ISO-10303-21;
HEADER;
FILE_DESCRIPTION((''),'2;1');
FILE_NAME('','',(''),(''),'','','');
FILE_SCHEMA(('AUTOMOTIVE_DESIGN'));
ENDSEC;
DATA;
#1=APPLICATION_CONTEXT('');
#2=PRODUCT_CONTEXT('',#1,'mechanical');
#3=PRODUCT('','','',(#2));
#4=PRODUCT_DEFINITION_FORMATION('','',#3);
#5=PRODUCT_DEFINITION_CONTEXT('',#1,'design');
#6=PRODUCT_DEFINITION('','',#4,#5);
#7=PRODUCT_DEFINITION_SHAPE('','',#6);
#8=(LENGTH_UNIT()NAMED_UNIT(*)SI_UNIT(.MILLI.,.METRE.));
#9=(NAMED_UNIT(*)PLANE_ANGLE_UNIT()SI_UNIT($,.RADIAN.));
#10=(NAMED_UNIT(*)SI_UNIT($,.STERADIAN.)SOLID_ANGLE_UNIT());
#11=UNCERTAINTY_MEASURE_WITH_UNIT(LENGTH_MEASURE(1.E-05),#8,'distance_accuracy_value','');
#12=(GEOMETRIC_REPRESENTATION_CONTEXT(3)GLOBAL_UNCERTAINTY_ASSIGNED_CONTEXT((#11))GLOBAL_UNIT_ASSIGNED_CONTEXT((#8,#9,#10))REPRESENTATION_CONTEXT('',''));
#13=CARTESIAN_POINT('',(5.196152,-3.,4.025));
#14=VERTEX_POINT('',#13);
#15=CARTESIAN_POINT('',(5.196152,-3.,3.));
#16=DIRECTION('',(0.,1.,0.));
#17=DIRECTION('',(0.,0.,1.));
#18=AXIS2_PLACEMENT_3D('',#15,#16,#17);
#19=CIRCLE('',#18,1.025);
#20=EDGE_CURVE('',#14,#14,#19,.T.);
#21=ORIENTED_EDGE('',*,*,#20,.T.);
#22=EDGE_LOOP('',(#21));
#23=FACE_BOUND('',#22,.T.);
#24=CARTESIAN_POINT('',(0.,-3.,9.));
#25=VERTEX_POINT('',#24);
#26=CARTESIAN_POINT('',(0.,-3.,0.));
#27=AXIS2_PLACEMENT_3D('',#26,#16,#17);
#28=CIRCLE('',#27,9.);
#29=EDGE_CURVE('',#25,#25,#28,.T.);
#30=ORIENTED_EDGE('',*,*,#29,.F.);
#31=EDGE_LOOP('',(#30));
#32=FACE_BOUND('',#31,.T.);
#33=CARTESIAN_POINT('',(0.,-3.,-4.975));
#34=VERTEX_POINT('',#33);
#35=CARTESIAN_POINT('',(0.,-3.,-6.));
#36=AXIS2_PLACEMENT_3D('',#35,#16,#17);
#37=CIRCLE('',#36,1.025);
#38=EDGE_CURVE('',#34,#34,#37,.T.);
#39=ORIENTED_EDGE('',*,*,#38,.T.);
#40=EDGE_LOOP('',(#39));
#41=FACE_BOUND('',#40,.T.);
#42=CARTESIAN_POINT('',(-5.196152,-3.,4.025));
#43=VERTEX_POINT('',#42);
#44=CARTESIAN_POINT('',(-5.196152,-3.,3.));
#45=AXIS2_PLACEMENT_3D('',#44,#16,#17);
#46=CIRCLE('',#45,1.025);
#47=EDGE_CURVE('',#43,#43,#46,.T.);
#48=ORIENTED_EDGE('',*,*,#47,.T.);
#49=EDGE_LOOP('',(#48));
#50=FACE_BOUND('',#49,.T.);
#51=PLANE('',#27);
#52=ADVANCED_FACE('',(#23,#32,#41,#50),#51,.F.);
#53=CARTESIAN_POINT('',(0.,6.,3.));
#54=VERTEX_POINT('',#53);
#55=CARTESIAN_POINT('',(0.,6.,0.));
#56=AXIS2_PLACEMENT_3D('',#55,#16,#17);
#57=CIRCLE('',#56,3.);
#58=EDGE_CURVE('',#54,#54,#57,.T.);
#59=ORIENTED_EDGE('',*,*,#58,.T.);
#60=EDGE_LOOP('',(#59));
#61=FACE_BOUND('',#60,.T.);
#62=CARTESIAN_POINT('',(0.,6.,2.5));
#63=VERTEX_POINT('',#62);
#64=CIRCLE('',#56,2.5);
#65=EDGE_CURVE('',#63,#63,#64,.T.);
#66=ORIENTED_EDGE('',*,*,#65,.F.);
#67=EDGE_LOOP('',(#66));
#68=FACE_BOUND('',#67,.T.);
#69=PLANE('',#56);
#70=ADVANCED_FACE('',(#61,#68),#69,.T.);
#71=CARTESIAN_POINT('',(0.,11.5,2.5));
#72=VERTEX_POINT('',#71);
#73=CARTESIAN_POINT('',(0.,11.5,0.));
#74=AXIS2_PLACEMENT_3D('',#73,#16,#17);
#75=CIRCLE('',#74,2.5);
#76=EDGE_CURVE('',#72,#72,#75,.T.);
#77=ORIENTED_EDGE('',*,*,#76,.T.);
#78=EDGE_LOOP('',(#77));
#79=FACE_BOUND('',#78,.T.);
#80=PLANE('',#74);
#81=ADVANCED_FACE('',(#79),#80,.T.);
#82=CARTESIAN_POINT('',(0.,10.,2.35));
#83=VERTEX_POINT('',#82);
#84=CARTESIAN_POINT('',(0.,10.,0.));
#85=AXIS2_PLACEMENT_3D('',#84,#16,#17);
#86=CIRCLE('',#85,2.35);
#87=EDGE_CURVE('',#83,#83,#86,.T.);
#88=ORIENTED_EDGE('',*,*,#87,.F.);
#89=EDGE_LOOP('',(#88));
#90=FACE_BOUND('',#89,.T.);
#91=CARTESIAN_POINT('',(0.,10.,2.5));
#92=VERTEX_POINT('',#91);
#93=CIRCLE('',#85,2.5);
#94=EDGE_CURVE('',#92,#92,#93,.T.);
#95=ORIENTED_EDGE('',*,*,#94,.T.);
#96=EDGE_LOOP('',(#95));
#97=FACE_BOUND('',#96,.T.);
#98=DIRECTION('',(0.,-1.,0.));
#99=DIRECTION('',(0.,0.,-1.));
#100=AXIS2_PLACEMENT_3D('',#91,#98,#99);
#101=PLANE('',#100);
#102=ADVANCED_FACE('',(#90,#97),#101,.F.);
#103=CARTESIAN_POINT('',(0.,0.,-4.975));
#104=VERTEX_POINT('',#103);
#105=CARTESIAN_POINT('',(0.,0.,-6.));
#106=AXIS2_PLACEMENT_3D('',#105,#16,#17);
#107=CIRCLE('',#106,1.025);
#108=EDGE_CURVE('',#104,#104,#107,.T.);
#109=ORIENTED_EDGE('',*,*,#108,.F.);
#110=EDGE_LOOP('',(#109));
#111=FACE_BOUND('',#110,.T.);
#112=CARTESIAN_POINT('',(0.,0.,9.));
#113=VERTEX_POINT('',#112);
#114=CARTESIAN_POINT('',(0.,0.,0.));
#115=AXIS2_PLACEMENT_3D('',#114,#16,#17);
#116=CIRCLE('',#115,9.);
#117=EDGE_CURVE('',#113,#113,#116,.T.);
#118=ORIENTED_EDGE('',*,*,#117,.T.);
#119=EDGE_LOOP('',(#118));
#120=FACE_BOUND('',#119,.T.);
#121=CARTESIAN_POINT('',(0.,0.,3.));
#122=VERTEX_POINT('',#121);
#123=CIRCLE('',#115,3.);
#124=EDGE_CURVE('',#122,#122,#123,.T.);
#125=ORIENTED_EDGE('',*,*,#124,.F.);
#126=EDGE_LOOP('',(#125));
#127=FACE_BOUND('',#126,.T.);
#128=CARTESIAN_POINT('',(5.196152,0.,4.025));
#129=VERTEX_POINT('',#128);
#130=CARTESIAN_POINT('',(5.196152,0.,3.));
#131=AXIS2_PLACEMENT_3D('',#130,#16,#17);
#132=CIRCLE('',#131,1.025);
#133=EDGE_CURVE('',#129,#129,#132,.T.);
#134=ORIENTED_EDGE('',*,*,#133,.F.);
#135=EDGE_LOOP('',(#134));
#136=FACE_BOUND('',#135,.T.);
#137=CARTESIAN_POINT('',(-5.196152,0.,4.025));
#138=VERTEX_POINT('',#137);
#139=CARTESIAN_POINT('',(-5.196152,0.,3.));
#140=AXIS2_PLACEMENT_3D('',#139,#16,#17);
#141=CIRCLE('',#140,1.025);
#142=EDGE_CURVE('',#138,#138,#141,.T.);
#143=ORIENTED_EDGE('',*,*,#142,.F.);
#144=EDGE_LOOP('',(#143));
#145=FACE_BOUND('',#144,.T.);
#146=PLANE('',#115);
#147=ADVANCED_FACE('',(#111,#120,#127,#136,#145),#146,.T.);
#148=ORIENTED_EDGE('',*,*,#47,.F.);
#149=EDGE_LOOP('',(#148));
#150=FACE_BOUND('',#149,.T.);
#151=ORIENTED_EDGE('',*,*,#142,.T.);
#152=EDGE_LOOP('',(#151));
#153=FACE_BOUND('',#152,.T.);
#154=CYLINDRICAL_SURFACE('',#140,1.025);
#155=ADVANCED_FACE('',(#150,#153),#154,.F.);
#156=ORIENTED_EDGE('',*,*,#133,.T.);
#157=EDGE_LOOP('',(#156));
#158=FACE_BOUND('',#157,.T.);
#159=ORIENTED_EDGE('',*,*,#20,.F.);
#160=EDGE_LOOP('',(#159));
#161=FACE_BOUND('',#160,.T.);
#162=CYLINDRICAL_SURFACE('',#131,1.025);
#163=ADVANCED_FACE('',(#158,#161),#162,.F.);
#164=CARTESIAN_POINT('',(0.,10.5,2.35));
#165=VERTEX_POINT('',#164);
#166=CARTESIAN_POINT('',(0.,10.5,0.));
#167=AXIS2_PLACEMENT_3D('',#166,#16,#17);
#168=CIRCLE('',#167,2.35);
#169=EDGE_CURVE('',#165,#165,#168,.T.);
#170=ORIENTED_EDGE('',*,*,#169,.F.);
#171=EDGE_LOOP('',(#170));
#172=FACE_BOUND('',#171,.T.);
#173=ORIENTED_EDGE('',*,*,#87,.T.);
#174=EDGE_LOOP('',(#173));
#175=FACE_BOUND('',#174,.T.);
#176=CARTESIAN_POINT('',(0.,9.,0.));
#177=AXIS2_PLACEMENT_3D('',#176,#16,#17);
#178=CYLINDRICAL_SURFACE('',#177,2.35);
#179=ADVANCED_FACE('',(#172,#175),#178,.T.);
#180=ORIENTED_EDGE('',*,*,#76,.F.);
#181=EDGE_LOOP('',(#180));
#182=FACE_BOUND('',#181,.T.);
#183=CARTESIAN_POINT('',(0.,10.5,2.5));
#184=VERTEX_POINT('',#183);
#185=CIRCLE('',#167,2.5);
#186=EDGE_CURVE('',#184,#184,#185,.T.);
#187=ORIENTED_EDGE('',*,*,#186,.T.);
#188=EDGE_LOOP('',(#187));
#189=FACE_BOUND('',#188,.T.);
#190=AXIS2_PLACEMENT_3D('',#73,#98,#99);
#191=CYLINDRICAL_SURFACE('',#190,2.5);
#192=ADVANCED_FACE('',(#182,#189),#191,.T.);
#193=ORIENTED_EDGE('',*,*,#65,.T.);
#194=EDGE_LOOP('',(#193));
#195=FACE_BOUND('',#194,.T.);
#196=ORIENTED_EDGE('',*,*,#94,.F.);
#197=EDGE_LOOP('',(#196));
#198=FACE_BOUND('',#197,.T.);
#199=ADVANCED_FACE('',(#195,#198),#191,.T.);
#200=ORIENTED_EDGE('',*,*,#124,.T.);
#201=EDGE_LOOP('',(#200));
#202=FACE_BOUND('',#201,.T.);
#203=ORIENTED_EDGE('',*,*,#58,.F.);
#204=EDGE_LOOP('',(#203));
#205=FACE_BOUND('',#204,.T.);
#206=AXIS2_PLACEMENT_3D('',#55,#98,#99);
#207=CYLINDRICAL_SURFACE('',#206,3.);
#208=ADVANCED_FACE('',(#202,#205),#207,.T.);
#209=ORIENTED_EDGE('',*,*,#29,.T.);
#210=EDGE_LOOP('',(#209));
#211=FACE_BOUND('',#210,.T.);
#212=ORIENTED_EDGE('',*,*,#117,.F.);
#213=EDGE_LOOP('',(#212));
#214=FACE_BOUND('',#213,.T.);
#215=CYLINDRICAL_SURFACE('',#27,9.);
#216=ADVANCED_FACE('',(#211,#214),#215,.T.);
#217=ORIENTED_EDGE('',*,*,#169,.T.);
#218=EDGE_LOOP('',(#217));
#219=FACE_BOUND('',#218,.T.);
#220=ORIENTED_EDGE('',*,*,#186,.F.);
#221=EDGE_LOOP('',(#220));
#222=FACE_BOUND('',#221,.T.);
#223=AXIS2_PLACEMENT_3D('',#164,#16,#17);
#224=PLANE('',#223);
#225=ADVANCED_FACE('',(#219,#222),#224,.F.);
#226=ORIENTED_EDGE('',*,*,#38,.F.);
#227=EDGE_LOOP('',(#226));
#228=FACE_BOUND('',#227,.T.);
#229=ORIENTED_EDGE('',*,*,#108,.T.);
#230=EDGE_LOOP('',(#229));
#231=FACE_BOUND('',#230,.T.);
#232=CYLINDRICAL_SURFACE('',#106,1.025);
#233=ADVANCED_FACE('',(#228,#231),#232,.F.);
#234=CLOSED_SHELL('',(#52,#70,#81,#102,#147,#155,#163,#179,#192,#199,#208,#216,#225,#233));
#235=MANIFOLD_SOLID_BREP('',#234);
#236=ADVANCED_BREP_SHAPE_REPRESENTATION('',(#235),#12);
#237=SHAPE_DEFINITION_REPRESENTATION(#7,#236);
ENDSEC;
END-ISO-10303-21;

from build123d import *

# Parameters (mm, degrees)
SKETCH_1_R           = 3
SKETCH_1_R_2         = 2.5
EXTRUDE_1_DEPTH      = 6
SKETCH_1_8_R         = 2.5
EXTRUDE_2_DEPTH      = 11.5
SKETCH_1_9_R         = 9
EXTRUDE_3_DEPTH      = 3
SKETCH_6_W           = 0.15
SKETCH_6_H           = 0.5
HOLE_WIZARD_M2_5_1_D = 2.05


with BuildPart() as part:
    # 草图1 → 凸台-拉伸1 (new body)
    with BuildSketch(Plane(origin=(0, 0, 0), x_dir=(1, 0, 0), z_dir=(0, 1, 0))):
        Circle(SKETCH_1_R)
        Circle(SKETCH_1_R_2, mode=Mode.SUBTRACT)
    extrude(amount=EXTRUDE_1_DEPTH)

    # 草图1<8> → 凸台-拉伸2 (add)
    with BuildSketch(Plane(origin=(0, 0, 0), x_dir=(1, 0, 0), z_dir=(0, 1, 0))):
        Circle(SKETCH_1_8_R)
    extrude(amount=EXTRUDE_2_DEPTH)

    # 草图1<9> → 凸台-拉伸3 (add)
    with BuildSketch(Plane(origin=(0, 0, 0), x_dir=(1, 0, 0), z_dir=(0, 1, 0))):
        Circle(SKETCH_1_9_R)
    extrude(amount=-EXTRUDE_3_DEPTH)

    # 草图6 → 切除-旋转1 (revolve, cut)
    with BuildSketch(Plane(origin=(0, 0, 0), x_dir=(0, 0, -1), z_dir=(1, 0, 0))):
        with Locations((-2.425, 10.25)):
            Rectangle(SKETCH_6_W, SKETCH_6_H)
    revolve(axis=Axis((0, 9, 0), (0, -1, 0)), mode=Mode.SUBTRACT)

    # M2.5 螺纹孔1 (through all)
    with Locations(Plane(origin=(0, 0, 0), x_dir=(1, 0, 0), z_dir=(0, 1, 0))):
        with Locations((-5.196152423, -3), (0, 6), (5.196152423, -3)):
            Hole(HOLE_WIZARD_M2_5_1_D / 2)


solid = part.part
